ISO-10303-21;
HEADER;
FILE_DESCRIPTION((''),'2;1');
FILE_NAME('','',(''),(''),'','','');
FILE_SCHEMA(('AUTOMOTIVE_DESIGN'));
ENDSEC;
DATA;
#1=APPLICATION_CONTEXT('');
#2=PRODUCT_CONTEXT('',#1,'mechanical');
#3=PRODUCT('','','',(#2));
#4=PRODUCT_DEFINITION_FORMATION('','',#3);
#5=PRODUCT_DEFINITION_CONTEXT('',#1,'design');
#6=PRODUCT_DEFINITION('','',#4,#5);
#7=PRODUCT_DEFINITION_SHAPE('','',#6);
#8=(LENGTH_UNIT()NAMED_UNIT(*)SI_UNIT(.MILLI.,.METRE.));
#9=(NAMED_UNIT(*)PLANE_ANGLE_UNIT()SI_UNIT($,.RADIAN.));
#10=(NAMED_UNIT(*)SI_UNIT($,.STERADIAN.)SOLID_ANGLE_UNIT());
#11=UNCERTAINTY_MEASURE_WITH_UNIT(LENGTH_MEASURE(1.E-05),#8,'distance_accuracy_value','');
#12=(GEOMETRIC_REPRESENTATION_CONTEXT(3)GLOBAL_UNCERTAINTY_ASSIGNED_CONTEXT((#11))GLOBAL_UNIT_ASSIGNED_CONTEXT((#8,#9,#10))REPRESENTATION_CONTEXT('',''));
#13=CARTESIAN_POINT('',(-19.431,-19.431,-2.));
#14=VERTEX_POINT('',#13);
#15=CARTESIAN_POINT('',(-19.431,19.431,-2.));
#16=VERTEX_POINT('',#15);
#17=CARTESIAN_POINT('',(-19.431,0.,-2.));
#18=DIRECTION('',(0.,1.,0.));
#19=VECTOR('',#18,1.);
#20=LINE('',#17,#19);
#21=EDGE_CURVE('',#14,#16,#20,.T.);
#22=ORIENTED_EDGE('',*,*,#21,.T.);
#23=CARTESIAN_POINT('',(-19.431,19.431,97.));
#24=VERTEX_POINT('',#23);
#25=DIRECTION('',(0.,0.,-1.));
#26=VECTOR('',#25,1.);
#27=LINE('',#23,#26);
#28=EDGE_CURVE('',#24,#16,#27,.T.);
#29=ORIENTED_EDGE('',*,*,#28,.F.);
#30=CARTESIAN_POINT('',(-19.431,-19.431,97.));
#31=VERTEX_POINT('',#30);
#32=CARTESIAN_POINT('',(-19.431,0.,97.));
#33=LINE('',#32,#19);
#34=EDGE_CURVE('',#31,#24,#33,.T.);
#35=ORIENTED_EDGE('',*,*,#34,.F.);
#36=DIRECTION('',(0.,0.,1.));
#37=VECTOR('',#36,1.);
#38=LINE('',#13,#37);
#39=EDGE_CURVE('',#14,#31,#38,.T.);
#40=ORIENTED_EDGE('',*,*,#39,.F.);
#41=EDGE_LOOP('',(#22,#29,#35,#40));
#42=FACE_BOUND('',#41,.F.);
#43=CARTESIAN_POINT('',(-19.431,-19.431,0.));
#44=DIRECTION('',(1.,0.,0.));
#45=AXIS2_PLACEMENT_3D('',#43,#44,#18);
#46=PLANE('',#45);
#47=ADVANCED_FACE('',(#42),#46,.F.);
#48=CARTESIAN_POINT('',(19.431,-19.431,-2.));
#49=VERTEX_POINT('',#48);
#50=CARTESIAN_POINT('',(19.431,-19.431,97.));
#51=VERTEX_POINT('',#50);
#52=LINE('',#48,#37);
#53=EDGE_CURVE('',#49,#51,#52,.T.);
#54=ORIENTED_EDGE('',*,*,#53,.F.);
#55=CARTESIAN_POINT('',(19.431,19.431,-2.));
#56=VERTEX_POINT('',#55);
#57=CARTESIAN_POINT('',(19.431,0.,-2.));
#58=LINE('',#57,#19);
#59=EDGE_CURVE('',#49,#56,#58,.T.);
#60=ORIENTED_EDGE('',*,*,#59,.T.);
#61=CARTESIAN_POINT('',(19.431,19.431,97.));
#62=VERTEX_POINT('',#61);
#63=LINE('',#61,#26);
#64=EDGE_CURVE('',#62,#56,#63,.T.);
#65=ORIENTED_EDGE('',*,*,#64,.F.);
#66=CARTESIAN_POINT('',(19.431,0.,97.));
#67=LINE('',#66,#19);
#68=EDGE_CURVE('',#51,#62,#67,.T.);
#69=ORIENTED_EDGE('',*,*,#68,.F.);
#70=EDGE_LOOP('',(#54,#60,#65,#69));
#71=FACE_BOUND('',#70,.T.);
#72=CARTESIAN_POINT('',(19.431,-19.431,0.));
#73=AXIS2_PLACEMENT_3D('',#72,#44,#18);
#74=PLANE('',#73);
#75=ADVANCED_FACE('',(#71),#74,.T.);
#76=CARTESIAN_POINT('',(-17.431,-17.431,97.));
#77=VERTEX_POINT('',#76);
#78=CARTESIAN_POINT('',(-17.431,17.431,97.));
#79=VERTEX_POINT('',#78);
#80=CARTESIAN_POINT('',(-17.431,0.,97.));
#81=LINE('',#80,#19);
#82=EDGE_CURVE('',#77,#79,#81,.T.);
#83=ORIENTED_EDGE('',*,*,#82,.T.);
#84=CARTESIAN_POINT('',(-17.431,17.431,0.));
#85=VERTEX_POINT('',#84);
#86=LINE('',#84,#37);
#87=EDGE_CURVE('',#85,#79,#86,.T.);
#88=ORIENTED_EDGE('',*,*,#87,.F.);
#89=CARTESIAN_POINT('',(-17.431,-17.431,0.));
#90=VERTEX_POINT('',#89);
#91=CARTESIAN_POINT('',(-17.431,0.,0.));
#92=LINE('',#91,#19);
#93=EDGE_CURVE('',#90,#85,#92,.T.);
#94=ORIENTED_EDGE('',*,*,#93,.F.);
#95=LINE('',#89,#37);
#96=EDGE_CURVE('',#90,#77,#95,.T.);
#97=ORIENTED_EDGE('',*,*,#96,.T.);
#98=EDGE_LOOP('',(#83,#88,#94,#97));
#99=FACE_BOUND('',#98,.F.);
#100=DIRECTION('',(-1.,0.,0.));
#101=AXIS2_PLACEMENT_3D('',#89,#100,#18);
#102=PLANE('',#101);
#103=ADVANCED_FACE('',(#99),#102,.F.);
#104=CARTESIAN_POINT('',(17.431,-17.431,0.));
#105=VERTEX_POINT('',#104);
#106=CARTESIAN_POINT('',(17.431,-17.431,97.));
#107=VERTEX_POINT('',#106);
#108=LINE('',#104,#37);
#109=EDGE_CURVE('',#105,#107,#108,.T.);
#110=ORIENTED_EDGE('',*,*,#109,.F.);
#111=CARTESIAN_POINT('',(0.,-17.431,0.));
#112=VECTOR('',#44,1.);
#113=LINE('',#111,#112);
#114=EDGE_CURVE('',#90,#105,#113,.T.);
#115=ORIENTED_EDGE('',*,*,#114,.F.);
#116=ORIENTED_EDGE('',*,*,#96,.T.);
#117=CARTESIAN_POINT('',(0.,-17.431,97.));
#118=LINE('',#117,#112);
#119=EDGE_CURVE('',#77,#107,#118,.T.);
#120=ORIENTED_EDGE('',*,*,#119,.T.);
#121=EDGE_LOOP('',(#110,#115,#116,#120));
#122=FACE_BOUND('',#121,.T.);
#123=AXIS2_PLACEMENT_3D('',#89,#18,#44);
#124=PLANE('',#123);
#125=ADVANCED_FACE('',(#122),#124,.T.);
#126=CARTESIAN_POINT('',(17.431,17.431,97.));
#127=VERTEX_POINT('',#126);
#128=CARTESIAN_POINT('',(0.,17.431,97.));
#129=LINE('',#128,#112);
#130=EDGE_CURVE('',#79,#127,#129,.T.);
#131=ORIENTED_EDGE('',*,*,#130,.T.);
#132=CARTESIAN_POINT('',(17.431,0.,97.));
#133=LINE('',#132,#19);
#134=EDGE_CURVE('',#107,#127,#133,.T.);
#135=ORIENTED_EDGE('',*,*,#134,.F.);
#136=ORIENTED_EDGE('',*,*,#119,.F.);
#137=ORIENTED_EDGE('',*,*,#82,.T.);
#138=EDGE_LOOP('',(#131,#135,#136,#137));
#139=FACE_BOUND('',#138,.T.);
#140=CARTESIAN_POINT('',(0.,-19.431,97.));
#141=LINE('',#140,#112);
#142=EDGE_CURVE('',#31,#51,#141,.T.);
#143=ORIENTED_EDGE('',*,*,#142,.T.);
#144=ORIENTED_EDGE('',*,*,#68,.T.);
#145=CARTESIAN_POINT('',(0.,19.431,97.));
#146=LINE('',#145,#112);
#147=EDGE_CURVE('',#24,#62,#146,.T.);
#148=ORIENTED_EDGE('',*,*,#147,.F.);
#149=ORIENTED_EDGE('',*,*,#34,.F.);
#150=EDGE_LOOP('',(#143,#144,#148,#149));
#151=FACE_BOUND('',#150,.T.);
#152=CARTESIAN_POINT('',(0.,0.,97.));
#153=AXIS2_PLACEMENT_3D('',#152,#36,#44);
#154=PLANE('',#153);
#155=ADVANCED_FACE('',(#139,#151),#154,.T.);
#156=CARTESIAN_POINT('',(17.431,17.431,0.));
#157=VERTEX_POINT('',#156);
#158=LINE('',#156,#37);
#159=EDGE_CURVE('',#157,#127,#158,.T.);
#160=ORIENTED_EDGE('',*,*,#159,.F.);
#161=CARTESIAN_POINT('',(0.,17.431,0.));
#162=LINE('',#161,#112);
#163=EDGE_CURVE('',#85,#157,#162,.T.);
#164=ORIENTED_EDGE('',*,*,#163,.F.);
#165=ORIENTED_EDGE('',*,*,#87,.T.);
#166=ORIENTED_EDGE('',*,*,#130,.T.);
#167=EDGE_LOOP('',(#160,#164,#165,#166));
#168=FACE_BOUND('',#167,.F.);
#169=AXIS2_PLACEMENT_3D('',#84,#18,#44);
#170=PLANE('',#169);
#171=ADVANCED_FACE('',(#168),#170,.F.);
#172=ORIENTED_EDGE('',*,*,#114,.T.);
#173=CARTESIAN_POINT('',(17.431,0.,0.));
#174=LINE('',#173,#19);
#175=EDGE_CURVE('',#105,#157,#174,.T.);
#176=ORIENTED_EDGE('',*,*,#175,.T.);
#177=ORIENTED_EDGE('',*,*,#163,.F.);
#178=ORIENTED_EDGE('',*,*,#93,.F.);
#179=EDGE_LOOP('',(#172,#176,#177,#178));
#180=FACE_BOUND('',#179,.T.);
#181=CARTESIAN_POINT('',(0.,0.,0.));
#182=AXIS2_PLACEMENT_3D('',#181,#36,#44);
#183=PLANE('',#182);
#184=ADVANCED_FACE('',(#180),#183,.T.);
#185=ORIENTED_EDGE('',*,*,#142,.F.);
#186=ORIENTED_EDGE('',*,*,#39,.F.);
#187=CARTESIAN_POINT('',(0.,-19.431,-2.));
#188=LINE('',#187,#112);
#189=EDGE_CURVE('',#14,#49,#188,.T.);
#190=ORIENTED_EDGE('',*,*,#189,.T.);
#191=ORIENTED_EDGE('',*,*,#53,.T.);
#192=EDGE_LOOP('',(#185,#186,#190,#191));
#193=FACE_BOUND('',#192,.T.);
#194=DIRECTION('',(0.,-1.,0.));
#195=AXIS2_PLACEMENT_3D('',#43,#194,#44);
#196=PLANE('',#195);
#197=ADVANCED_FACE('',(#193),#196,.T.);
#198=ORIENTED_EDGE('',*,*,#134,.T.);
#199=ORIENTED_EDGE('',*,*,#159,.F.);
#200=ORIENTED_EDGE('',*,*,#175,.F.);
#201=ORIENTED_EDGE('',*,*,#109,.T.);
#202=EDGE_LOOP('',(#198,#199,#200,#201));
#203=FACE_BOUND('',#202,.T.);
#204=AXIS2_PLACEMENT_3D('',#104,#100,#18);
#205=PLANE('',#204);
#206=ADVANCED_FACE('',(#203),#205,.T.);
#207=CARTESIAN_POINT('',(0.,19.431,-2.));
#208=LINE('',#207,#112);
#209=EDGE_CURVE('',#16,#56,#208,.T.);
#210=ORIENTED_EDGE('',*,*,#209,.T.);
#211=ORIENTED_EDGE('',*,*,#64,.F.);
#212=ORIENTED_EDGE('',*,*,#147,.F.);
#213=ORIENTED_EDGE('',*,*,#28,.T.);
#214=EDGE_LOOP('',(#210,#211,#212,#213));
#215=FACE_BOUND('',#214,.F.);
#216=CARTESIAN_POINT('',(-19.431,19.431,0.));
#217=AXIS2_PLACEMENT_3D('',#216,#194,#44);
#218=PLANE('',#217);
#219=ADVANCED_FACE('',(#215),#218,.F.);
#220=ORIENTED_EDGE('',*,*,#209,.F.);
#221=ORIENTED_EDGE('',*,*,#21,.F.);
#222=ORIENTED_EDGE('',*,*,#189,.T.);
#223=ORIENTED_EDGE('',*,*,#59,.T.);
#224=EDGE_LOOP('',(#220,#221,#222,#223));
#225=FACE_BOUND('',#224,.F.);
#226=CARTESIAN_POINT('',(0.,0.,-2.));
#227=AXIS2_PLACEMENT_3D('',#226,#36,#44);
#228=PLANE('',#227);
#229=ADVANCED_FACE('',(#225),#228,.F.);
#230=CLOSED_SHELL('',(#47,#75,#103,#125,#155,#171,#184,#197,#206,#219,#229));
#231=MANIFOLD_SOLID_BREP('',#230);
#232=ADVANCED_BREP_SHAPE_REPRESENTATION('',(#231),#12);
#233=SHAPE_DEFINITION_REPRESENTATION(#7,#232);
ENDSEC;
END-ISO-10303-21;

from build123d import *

# Parameters (mm, degrees)
F0_W     = 38.862
F0_H     = 38.862
F0_W_2   = 34.862
F0_H_2   = 34.862
F1_DEPTH = 97
F2_DEPTH = 2


with BuildPart() as f1:
    # F0 (on Top) → F1 (new body)
    with BuildSketch(Plane.XY):
        Rectangle(F0_W, F0_H)
        Rectangle(F0_W_2, F0_H_2, mode=Mode.SUBTRACT)
    extrude(amount=F1_DEPTH)

    # F0 (on Top) → F2 (join)
    with BuildSketch(Plane.XY):
        Rectangle(F0_W, F0_H)
        Rectangle(F0_W_2, F0_H_2, mode=Mode.SUBTRACT)
        Rectangle(F0_W_2, F0_H_2)
    extrude(amount=-F2_DEPTH)


solid = f1.part
